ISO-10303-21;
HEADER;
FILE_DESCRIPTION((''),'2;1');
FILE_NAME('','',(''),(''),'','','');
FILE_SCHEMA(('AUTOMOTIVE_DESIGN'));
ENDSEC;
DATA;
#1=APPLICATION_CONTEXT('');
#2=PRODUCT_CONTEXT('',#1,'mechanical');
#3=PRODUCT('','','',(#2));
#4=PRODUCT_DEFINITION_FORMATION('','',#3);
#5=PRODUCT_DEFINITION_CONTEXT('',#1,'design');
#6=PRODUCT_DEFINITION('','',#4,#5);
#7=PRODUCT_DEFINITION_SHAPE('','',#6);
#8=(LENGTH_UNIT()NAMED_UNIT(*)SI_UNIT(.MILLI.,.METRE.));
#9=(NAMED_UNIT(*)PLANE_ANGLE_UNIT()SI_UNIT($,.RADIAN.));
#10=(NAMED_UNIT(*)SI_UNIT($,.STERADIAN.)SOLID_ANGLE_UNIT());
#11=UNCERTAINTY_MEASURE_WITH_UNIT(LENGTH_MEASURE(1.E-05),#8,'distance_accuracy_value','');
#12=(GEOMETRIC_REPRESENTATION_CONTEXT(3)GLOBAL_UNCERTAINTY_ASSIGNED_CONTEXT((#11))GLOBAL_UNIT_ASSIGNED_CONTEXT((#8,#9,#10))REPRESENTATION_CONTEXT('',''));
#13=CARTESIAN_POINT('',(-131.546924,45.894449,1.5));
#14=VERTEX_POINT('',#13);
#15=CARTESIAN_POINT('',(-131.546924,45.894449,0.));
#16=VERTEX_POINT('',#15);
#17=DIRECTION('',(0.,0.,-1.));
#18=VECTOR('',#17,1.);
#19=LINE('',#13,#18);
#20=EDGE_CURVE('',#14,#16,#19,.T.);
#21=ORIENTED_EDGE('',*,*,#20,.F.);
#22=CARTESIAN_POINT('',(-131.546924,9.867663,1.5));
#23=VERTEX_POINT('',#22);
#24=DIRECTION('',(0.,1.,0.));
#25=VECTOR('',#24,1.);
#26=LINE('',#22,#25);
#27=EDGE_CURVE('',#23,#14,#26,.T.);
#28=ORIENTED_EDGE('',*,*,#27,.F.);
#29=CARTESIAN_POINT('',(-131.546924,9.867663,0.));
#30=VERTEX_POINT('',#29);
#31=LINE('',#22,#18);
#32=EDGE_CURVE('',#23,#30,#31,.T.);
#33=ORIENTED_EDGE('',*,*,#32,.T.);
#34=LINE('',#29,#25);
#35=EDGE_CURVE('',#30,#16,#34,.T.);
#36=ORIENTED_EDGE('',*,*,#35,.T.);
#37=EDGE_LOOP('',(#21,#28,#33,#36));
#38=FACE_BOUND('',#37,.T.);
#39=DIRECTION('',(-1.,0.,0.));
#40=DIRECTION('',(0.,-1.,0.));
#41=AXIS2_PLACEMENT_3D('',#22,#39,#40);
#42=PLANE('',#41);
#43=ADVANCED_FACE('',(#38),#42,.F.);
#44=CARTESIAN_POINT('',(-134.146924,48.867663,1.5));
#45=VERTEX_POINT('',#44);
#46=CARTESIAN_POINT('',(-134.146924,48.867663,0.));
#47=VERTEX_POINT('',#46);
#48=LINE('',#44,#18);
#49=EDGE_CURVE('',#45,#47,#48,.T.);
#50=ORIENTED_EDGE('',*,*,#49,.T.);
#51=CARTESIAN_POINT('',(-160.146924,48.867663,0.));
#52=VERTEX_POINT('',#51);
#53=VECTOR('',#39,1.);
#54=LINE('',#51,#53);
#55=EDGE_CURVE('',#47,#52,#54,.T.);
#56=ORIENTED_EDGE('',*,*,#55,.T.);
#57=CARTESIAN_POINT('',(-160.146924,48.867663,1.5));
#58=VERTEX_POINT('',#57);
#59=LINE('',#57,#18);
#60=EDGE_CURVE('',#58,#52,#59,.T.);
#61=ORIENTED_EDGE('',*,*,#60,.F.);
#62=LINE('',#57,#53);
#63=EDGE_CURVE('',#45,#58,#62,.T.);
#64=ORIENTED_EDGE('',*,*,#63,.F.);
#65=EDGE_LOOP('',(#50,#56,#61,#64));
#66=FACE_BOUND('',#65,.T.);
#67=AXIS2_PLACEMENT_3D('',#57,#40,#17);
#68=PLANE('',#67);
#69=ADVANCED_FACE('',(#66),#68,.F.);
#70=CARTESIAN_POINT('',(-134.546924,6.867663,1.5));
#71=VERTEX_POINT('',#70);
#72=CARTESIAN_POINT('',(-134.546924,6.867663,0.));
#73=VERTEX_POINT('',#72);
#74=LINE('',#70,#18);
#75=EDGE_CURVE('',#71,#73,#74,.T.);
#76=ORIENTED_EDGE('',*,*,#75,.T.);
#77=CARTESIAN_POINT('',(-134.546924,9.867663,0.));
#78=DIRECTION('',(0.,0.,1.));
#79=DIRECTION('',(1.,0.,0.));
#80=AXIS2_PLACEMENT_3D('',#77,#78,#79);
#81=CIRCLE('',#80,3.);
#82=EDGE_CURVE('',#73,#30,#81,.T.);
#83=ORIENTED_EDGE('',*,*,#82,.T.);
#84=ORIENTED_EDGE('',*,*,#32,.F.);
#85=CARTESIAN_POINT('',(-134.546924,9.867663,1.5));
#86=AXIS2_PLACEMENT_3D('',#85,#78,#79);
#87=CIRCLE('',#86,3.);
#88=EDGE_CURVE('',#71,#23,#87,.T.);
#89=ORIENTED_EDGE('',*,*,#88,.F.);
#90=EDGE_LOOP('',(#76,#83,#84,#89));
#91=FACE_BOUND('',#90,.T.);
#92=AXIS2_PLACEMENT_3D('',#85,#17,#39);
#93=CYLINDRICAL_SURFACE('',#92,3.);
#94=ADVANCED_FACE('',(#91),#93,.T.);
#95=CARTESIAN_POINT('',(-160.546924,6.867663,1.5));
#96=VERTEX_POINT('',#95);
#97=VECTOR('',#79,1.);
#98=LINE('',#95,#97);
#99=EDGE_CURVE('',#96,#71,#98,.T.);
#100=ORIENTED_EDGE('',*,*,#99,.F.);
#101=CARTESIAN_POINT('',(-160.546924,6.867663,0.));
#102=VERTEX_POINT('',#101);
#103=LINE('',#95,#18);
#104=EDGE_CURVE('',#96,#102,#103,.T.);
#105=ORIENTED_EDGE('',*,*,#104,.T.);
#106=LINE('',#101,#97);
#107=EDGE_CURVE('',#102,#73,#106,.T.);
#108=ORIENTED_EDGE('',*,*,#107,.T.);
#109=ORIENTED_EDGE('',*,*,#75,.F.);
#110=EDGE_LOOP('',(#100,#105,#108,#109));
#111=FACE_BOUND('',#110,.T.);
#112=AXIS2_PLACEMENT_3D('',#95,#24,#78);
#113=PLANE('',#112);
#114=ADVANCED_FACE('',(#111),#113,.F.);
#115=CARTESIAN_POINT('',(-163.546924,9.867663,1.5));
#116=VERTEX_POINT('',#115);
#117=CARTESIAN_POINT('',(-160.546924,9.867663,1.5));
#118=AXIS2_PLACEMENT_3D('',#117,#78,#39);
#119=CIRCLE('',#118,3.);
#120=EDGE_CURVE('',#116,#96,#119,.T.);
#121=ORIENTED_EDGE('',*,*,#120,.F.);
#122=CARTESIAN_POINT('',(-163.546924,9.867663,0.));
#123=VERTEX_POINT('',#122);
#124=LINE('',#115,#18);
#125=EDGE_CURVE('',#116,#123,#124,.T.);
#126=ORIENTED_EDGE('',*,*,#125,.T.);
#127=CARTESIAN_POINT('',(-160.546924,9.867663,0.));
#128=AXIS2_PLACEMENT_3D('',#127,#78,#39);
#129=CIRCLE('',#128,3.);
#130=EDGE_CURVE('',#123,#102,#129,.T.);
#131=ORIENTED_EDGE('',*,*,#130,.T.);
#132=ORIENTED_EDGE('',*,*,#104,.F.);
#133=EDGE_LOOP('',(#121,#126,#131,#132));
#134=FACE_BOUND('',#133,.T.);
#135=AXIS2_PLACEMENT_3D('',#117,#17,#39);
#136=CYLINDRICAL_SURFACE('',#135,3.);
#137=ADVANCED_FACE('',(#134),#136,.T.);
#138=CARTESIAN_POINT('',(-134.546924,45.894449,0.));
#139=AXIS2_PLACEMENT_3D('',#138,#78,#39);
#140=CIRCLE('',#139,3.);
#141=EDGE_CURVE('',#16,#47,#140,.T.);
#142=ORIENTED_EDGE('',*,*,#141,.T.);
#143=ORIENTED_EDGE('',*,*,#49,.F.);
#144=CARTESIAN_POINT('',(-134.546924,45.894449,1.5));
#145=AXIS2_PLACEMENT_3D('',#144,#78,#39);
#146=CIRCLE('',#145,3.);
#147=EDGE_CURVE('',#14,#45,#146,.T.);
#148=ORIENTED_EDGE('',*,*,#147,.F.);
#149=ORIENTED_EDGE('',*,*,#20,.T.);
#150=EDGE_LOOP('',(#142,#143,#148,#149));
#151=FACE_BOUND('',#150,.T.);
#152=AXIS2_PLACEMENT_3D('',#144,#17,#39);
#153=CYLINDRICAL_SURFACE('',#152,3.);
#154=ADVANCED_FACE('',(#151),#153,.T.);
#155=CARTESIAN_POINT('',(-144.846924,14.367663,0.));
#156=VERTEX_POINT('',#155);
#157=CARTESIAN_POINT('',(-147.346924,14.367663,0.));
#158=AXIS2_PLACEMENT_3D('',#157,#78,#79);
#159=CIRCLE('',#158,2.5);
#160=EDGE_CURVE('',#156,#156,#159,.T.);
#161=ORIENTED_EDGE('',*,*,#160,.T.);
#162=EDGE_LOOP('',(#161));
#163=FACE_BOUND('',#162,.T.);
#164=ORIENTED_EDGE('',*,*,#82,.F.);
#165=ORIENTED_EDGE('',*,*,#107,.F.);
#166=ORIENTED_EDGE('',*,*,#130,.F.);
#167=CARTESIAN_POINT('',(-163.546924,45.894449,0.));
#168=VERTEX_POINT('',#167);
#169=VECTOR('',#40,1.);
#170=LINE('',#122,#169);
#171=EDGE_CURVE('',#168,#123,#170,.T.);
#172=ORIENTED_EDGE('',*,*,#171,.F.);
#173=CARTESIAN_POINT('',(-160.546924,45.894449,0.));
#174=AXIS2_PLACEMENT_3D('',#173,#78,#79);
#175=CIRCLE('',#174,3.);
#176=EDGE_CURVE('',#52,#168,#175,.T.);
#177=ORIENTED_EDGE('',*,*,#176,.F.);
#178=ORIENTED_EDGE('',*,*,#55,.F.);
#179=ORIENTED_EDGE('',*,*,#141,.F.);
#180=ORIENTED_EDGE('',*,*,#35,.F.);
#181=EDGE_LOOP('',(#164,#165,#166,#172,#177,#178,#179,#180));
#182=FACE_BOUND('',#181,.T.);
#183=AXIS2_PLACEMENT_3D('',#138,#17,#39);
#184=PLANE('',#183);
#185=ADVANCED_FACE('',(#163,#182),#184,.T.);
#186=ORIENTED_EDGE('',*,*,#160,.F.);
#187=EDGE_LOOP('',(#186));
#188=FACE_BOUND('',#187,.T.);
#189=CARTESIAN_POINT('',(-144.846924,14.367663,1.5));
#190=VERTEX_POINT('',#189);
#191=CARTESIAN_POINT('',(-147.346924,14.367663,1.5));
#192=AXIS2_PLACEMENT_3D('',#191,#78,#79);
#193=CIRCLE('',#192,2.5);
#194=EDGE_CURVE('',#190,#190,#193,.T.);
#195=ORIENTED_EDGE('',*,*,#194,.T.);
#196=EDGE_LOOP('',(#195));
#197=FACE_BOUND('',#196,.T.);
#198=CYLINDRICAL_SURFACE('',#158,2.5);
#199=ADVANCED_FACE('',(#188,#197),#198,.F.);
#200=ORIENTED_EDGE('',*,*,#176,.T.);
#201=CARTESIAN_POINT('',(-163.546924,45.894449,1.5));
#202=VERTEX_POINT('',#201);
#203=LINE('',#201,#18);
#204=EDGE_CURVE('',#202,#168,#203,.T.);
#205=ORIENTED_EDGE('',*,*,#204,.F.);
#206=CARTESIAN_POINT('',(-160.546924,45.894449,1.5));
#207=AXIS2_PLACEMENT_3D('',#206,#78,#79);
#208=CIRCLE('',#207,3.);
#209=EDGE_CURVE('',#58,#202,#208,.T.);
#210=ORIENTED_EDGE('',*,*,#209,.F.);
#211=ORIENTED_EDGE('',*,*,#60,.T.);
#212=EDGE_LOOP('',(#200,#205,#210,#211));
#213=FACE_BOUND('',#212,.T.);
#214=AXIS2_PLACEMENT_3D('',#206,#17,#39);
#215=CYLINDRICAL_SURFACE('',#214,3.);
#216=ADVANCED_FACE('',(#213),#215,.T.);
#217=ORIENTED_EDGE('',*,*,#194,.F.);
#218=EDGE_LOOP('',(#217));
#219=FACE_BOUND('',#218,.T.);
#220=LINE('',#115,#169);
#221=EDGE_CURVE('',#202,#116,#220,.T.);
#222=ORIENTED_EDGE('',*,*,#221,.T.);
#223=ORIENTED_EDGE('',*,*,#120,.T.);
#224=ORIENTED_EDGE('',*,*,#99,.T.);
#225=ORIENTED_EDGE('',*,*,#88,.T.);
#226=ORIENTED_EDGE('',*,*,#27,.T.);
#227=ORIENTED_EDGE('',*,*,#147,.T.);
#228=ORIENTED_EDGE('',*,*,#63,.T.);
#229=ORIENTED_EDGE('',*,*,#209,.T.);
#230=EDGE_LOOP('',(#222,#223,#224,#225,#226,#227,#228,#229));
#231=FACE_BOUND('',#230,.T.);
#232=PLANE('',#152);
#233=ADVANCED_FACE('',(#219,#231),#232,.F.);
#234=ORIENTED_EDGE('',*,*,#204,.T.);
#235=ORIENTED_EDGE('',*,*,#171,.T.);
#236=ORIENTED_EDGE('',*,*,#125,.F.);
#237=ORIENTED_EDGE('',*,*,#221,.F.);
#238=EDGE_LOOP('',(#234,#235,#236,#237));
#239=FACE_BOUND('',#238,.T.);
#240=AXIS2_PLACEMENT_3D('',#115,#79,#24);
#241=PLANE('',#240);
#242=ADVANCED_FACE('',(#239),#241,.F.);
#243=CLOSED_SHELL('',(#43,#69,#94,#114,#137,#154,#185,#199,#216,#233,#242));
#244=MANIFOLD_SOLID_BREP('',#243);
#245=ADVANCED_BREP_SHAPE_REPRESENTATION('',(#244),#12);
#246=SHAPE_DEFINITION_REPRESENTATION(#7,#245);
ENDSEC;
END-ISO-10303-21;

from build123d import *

# Parameters (mm, degrees)
EXTRUDE_1_DEPTH     = 1.5
SKETCH_2_R          = 2.5
CUT_EXTRUDE_1_DEPTH = 171.705927088


with BuildPart() as part:
    # Эскиз1 → Бобышка-Вытянуть1 (new body)
    with BuildSketch(Plane.XY):
        with BuildLine():
            Line((-160.546924203, 6.867662583), (-134.546924203, 6.867662583))
            ThreePointArc((-134.546924203, 6.867662583), (-132.42560386, 7.746342239), (-131.546924203, 9.867662583))
            Line((-131.546924203, 9.867662583), (-131.546924203, 45.894448833))
            ThreePointArc((-131.546924203, 45.894448833), (-132.288606245, 47.869290599), (-134.146924203, 48.867662583))
            Line((-134.146924203, 48.867662583), (-160.146924203, 48.867662583))
            ThreePointArc((-160.146924203, 48.867662583), (-162.521765969, 48.152766791), (-163.546924203, 45.894448833))
            Line((-163.546924203, 45.894448833), (-163.546924203, 9.867662583))
            ThreePointArc((-163.546924203, 9.867662583), (-162.668244547, 7.746342239), (-160.546924203, 6.867662583))
        make_face()
    extrude(amount=EXTRUDE_1_DEPTH)

    # Эскиз2 → Вырез-Вытянуть1 (cut, through all)
    with BuildSketch(Plane.XY.offset(1.5)):
        with Locations((-147.346924203, 14.367662583)):
            Circle(SKETCH_2_R)
    extrude(amount=-CUT_EXTRUDE_1_DEPTH, mode=Mode.SUBTRACT)


solid = part.part
